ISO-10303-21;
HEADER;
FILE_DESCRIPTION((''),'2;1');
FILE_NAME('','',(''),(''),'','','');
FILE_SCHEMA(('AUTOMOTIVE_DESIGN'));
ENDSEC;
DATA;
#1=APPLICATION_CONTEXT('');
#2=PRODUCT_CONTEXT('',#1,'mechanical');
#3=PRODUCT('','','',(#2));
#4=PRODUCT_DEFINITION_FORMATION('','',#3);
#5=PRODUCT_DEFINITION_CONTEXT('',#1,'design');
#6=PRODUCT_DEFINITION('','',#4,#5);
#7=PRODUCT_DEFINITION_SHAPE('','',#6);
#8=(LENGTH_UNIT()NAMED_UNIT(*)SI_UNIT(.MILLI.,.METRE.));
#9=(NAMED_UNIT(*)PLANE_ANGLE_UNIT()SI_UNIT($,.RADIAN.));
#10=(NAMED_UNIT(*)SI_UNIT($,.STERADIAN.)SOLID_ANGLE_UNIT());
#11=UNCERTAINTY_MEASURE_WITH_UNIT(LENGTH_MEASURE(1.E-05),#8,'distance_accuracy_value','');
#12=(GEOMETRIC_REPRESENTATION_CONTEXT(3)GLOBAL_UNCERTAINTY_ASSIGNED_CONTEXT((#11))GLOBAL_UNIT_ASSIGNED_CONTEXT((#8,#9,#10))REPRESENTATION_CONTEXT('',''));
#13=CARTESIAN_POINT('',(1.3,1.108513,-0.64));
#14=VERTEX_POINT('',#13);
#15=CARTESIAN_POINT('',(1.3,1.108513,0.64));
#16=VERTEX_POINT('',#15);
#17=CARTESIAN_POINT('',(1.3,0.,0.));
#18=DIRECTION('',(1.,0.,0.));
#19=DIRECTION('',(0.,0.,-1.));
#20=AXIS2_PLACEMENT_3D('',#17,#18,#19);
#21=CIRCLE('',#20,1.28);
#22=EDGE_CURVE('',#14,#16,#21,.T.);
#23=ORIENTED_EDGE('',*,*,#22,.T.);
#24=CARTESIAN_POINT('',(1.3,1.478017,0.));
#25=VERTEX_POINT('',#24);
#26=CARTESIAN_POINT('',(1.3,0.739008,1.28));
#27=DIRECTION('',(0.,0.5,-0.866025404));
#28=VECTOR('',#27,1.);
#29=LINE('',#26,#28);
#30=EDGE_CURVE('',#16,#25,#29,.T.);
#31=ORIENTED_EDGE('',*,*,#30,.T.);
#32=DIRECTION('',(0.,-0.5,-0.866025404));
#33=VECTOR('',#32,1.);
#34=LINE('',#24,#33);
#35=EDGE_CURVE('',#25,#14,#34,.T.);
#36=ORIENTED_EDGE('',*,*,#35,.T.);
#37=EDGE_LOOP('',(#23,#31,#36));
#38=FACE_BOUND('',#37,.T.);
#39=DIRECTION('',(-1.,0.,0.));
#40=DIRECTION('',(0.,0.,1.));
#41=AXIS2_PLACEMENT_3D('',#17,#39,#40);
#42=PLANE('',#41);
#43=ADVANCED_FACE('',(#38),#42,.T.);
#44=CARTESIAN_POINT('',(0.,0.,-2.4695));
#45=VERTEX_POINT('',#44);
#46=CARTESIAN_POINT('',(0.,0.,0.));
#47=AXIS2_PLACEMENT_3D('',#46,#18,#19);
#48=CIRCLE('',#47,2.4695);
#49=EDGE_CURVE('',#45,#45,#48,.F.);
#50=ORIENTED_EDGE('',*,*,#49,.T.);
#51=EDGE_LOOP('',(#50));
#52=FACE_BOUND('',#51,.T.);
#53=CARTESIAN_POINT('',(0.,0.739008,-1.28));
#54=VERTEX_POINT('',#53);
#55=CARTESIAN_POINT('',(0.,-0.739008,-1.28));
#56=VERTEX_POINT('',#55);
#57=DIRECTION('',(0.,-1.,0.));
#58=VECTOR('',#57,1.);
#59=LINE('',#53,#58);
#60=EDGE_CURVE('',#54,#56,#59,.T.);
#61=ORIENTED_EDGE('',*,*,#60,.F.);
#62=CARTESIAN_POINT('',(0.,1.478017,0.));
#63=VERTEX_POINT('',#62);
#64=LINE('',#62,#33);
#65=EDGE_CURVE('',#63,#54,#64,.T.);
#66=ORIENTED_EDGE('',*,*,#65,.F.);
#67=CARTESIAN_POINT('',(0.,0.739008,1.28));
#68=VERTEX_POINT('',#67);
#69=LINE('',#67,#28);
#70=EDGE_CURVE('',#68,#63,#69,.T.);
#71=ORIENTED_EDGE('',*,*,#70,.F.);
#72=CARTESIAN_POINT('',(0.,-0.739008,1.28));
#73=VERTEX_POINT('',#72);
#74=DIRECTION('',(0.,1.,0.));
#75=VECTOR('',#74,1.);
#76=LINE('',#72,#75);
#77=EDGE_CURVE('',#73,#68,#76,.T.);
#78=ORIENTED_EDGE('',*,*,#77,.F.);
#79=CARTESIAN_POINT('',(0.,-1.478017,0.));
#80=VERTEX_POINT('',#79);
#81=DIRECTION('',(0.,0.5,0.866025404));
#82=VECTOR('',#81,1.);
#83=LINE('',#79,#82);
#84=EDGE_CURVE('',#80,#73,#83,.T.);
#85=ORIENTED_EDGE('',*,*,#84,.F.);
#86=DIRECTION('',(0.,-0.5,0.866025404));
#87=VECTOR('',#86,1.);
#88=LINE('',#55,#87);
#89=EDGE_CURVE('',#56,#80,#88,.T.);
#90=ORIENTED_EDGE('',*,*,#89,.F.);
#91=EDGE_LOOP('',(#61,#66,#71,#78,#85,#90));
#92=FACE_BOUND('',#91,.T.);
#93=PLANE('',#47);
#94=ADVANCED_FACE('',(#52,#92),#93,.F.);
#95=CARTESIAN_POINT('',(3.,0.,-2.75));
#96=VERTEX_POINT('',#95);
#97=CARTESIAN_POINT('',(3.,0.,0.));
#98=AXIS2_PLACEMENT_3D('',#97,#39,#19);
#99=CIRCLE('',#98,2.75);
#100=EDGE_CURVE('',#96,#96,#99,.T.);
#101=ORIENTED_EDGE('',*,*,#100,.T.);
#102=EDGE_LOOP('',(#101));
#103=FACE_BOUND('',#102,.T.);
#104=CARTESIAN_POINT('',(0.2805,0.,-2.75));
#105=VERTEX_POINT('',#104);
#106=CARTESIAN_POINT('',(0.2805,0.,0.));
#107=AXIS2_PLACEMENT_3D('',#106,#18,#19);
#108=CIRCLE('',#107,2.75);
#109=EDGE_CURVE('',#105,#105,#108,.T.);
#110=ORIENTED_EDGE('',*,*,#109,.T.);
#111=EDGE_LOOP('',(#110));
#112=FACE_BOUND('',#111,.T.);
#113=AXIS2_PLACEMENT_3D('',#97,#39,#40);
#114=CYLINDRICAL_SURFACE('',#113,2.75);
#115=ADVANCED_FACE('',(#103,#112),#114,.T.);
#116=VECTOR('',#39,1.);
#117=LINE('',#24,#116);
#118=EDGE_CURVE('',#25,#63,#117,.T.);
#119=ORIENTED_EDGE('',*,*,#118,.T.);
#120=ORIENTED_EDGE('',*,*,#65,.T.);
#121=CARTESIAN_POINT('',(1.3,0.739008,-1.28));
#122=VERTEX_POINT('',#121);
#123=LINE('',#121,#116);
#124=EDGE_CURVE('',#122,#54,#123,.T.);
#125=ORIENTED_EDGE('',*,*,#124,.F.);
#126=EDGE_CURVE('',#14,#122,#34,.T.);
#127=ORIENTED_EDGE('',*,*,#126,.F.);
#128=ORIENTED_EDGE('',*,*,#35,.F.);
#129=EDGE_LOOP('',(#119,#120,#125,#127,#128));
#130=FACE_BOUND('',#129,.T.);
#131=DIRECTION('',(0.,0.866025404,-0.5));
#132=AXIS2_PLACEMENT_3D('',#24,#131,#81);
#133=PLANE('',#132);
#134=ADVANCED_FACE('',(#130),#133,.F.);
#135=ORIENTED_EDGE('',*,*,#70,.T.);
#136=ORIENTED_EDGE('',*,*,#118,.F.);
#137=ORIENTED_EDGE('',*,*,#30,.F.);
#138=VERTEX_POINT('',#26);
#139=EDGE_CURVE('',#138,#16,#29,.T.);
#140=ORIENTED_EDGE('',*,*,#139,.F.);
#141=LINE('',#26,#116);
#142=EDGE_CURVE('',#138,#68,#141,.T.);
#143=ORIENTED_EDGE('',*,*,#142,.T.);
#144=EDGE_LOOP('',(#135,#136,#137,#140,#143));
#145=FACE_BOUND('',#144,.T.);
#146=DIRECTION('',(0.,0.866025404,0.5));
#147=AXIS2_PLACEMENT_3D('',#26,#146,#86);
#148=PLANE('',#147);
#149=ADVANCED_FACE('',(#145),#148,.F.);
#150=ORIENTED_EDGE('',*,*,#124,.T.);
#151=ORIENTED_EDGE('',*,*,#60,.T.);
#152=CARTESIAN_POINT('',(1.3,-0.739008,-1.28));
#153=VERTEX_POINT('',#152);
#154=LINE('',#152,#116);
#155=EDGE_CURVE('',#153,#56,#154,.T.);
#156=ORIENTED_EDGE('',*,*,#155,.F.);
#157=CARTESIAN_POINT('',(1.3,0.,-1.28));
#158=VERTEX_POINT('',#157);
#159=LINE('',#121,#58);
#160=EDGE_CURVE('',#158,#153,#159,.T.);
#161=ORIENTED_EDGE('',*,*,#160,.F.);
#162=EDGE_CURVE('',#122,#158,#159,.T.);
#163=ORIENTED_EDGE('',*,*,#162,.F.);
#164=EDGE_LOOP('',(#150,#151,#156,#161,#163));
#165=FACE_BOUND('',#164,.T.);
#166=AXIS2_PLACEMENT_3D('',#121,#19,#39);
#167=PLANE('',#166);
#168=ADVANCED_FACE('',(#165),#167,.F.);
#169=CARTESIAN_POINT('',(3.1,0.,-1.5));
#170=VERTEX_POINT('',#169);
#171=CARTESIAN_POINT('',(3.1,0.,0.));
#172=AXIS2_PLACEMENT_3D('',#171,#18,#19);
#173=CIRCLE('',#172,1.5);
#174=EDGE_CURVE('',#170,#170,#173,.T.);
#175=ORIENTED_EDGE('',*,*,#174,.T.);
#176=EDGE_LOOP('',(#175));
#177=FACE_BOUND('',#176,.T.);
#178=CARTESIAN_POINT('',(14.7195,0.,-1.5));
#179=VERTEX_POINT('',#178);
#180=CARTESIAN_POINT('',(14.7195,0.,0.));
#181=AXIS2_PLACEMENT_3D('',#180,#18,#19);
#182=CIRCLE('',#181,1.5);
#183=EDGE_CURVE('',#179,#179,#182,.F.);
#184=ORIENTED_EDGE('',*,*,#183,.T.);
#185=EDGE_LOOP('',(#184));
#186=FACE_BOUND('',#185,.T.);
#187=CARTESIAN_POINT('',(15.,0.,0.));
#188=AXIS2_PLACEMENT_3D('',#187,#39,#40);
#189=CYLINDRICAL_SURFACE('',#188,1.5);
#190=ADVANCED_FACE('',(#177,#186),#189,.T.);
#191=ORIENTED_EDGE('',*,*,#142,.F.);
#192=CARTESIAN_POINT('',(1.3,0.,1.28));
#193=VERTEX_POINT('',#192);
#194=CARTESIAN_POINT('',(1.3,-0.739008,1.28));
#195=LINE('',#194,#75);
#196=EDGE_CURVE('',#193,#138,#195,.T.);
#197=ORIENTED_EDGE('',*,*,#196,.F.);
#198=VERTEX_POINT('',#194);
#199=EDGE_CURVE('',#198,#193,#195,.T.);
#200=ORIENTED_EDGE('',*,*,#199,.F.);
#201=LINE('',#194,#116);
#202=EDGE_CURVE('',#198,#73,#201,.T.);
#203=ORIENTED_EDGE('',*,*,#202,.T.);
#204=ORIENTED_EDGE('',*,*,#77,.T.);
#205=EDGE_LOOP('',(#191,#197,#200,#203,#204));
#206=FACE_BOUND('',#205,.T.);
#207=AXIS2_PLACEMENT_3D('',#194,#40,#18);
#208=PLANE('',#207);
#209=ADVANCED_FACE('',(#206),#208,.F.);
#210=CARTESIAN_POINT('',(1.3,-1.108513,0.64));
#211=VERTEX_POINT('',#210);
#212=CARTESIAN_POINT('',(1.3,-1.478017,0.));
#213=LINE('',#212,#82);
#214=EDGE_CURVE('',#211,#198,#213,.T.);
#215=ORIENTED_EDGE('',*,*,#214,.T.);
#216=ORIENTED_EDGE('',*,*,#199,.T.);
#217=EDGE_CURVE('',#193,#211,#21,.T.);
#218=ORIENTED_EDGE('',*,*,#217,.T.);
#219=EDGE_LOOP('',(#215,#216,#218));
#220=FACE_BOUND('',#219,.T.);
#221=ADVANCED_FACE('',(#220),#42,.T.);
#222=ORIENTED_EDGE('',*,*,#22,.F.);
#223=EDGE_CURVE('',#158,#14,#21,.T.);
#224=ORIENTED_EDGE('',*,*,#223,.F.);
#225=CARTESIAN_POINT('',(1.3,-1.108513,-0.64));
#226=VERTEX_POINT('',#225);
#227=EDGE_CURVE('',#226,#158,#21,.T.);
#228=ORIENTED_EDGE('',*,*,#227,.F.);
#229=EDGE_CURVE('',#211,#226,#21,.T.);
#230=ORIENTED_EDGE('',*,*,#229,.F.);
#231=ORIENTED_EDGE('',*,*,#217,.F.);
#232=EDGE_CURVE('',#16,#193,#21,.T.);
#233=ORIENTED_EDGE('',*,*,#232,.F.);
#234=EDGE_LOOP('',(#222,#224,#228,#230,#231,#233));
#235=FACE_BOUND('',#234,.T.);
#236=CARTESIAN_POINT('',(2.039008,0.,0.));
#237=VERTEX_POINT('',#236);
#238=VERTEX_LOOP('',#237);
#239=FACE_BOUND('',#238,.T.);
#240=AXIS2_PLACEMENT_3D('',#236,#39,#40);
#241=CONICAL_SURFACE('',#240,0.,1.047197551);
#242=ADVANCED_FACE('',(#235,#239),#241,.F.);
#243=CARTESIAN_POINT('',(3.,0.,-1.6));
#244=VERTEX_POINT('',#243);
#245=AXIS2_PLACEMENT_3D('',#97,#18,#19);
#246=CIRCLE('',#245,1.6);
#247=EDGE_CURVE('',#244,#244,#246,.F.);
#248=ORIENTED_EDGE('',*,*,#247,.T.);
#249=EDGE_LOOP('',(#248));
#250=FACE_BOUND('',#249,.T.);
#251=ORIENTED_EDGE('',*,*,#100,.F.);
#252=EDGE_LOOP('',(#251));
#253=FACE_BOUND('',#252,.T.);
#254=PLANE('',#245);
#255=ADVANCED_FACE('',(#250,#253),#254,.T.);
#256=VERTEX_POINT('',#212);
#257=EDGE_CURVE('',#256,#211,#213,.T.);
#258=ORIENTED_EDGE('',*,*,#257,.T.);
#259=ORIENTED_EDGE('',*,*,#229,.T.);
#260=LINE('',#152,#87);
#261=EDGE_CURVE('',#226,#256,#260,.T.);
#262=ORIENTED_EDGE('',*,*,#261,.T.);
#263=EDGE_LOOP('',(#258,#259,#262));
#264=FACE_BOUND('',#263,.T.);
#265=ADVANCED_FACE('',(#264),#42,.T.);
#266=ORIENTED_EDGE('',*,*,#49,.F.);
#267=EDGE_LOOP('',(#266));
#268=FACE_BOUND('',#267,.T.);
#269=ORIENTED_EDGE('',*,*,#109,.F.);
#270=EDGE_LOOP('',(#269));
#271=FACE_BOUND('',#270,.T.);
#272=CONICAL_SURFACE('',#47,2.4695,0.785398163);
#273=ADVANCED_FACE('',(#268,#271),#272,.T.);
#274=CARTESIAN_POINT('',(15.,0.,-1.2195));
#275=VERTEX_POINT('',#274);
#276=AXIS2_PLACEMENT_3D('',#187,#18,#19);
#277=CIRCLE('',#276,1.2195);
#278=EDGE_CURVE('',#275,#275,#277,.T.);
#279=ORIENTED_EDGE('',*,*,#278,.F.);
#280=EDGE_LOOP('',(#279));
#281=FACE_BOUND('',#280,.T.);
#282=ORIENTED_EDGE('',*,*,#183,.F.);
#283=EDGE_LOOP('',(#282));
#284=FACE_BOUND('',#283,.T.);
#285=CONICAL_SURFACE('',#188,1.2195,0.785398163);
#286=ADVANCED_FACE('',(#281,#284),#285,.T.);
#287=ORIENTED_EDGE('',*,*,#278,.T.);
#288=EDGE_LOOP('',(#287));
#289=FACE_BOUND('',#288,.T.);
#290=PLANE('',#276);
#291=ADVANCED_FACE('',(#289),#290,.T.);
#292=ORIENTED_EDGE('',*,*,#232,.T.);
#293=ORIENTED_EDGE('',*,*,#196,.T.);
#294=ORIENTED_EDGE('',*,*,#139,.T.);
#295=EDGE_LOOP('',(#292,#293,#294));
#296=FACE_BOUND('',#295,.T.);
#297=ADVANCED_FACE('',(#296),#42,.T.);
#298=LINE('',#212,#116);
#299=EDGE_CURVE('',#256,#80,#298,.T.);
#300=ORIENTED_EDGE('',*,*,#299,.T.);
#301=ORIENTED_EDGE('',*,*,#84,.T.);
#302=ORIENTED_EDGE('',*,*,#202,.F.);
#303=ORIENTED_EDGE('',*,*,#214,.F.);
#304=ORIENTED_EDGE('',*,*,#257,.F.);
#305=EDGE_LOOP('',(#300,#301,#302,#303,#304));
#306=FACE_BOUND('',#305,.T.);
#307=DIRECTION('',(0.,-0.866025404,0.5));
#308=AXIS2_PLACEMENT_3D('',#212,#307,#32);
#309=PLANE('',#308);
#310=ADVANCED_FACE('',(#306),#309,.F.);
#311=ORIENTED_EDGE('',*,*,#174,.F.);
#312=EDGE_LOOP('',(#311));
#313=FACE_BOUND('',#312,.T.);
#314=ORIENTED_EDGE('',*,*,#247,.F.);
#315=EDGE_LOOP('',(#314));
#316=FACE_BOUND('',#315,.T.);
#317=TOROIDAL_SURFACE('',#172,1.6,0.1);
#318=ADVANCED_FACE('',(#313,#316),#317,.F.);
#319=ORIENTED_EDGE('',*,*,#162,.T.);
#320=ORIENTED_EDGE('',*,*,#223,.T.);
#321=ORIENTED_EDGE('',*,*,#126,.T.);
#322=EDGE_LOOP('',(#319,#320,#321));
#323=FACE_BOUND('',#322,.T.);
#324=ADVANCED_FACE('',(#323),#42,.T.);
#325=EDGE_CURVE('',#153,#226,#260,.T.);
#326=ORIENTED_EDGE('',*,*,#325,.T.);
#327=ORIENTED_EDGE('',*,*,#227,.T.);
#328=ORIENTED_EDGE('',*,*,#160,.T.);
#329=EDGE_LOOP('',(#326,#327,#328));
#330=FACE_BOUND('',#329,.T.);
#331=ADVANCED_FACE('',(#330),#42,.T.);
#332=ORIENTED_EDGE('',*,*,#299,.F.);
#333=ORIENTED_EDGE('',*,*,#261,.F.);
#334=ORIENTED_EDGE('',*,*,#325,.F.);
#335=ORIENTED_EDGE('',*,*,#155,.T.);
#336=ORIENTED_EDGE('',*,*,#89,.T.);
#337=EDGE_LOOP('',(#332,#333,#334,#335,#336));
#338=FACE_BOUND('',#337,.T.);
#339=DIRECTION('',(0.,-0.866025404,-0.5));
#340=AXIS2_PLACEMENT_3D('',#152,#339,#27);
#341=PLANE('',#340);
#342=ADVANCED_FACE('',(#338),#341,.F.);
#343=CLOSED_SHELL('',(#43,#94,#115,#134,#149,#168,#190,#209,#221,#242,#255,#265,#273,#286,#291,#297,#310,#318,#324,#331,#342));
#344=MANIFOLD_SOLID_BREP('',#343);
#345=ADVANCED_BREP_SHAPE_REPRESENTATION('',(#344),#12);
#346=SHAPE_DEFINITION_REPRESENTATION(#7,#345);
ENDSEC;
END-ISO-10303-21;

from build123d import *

# Parameters (mm, degrees)
SKETCH1_R           = 2.75
BOSS_EXTRUDE1_DEPTH = 3
CUT_EXTRUDE1_DEPTH  = 1.3
SKETCH9_R           = 1.5
BOSS_EXTRUDE2_DEPTH = 12
CHAMFER1_SIZE       = 0.2805
FILLET1_R           = 0.1


with BuildPart() as part:
    # Sketch1 → Boss-Extrude1 (new body)
    with BuildSketch(Plane(origin=(0, 0, 0), x_dir=(0, -1, 0), z_dir=(-1, 0, 0))):
        Circle(SKETCH1_R)
    extrude(amount=-BOSS_EXTRUDE1_DEPTH)

    # Sketch2 → Cut-Extrude1 (cut)
    with BuildSketch(Plane.ZY):
        Polygon((0, -1.478016689), (1.28, -0.739008345), (1.28, 0.739008345), (0, 1.478016689), (-1.28, 0.739008345), (-1.28, -0.739008345), align=None)
    extrude(amount=-CUT_EXTRUDE1_DEPTH, mode=Mode.SUBTRACT)

    # Sketch4 → Cut-Revolve1 (revolve, cut)
    with BuildSketch(Plane.XY):
        Polygon((1.3, 1.28), (1.3, 0), (2.039008345, 0), align=None)
    revolve(axis=Axis((1.3, 0, 0), (1, 0, 0)), mode=Mode.SUBTRACT)

    # Sketch9 → Boss-Extrude2 (add)
    with BuildSketch(Plane(origin=(3, 0, 0), x_dir=(0, 0, -1), z_dir=(1, 0, 0))):
        Circle(SKETCH9_R)
    extrude(amount=BOSS_EXTRUDE2_DEPTH)

    # Chamfer1
    chamfer1_edges = [part.edges().sort_by_distance(p)[0] for p in [
        (0, 2.75, 0),
        (15, 0, 1.5),
    ]]
    chamfer(chamfer1_edges, length=CHAMFER1_SIZE)

    # Fillet1
    fillet1_edges = [part.edges().sort_by_distance(p)[0] for p in [
        (3, 0, 1.5),
    ]]
    fillet(fillet1_edges, radius=FILLET1_R)


solid = part.part
